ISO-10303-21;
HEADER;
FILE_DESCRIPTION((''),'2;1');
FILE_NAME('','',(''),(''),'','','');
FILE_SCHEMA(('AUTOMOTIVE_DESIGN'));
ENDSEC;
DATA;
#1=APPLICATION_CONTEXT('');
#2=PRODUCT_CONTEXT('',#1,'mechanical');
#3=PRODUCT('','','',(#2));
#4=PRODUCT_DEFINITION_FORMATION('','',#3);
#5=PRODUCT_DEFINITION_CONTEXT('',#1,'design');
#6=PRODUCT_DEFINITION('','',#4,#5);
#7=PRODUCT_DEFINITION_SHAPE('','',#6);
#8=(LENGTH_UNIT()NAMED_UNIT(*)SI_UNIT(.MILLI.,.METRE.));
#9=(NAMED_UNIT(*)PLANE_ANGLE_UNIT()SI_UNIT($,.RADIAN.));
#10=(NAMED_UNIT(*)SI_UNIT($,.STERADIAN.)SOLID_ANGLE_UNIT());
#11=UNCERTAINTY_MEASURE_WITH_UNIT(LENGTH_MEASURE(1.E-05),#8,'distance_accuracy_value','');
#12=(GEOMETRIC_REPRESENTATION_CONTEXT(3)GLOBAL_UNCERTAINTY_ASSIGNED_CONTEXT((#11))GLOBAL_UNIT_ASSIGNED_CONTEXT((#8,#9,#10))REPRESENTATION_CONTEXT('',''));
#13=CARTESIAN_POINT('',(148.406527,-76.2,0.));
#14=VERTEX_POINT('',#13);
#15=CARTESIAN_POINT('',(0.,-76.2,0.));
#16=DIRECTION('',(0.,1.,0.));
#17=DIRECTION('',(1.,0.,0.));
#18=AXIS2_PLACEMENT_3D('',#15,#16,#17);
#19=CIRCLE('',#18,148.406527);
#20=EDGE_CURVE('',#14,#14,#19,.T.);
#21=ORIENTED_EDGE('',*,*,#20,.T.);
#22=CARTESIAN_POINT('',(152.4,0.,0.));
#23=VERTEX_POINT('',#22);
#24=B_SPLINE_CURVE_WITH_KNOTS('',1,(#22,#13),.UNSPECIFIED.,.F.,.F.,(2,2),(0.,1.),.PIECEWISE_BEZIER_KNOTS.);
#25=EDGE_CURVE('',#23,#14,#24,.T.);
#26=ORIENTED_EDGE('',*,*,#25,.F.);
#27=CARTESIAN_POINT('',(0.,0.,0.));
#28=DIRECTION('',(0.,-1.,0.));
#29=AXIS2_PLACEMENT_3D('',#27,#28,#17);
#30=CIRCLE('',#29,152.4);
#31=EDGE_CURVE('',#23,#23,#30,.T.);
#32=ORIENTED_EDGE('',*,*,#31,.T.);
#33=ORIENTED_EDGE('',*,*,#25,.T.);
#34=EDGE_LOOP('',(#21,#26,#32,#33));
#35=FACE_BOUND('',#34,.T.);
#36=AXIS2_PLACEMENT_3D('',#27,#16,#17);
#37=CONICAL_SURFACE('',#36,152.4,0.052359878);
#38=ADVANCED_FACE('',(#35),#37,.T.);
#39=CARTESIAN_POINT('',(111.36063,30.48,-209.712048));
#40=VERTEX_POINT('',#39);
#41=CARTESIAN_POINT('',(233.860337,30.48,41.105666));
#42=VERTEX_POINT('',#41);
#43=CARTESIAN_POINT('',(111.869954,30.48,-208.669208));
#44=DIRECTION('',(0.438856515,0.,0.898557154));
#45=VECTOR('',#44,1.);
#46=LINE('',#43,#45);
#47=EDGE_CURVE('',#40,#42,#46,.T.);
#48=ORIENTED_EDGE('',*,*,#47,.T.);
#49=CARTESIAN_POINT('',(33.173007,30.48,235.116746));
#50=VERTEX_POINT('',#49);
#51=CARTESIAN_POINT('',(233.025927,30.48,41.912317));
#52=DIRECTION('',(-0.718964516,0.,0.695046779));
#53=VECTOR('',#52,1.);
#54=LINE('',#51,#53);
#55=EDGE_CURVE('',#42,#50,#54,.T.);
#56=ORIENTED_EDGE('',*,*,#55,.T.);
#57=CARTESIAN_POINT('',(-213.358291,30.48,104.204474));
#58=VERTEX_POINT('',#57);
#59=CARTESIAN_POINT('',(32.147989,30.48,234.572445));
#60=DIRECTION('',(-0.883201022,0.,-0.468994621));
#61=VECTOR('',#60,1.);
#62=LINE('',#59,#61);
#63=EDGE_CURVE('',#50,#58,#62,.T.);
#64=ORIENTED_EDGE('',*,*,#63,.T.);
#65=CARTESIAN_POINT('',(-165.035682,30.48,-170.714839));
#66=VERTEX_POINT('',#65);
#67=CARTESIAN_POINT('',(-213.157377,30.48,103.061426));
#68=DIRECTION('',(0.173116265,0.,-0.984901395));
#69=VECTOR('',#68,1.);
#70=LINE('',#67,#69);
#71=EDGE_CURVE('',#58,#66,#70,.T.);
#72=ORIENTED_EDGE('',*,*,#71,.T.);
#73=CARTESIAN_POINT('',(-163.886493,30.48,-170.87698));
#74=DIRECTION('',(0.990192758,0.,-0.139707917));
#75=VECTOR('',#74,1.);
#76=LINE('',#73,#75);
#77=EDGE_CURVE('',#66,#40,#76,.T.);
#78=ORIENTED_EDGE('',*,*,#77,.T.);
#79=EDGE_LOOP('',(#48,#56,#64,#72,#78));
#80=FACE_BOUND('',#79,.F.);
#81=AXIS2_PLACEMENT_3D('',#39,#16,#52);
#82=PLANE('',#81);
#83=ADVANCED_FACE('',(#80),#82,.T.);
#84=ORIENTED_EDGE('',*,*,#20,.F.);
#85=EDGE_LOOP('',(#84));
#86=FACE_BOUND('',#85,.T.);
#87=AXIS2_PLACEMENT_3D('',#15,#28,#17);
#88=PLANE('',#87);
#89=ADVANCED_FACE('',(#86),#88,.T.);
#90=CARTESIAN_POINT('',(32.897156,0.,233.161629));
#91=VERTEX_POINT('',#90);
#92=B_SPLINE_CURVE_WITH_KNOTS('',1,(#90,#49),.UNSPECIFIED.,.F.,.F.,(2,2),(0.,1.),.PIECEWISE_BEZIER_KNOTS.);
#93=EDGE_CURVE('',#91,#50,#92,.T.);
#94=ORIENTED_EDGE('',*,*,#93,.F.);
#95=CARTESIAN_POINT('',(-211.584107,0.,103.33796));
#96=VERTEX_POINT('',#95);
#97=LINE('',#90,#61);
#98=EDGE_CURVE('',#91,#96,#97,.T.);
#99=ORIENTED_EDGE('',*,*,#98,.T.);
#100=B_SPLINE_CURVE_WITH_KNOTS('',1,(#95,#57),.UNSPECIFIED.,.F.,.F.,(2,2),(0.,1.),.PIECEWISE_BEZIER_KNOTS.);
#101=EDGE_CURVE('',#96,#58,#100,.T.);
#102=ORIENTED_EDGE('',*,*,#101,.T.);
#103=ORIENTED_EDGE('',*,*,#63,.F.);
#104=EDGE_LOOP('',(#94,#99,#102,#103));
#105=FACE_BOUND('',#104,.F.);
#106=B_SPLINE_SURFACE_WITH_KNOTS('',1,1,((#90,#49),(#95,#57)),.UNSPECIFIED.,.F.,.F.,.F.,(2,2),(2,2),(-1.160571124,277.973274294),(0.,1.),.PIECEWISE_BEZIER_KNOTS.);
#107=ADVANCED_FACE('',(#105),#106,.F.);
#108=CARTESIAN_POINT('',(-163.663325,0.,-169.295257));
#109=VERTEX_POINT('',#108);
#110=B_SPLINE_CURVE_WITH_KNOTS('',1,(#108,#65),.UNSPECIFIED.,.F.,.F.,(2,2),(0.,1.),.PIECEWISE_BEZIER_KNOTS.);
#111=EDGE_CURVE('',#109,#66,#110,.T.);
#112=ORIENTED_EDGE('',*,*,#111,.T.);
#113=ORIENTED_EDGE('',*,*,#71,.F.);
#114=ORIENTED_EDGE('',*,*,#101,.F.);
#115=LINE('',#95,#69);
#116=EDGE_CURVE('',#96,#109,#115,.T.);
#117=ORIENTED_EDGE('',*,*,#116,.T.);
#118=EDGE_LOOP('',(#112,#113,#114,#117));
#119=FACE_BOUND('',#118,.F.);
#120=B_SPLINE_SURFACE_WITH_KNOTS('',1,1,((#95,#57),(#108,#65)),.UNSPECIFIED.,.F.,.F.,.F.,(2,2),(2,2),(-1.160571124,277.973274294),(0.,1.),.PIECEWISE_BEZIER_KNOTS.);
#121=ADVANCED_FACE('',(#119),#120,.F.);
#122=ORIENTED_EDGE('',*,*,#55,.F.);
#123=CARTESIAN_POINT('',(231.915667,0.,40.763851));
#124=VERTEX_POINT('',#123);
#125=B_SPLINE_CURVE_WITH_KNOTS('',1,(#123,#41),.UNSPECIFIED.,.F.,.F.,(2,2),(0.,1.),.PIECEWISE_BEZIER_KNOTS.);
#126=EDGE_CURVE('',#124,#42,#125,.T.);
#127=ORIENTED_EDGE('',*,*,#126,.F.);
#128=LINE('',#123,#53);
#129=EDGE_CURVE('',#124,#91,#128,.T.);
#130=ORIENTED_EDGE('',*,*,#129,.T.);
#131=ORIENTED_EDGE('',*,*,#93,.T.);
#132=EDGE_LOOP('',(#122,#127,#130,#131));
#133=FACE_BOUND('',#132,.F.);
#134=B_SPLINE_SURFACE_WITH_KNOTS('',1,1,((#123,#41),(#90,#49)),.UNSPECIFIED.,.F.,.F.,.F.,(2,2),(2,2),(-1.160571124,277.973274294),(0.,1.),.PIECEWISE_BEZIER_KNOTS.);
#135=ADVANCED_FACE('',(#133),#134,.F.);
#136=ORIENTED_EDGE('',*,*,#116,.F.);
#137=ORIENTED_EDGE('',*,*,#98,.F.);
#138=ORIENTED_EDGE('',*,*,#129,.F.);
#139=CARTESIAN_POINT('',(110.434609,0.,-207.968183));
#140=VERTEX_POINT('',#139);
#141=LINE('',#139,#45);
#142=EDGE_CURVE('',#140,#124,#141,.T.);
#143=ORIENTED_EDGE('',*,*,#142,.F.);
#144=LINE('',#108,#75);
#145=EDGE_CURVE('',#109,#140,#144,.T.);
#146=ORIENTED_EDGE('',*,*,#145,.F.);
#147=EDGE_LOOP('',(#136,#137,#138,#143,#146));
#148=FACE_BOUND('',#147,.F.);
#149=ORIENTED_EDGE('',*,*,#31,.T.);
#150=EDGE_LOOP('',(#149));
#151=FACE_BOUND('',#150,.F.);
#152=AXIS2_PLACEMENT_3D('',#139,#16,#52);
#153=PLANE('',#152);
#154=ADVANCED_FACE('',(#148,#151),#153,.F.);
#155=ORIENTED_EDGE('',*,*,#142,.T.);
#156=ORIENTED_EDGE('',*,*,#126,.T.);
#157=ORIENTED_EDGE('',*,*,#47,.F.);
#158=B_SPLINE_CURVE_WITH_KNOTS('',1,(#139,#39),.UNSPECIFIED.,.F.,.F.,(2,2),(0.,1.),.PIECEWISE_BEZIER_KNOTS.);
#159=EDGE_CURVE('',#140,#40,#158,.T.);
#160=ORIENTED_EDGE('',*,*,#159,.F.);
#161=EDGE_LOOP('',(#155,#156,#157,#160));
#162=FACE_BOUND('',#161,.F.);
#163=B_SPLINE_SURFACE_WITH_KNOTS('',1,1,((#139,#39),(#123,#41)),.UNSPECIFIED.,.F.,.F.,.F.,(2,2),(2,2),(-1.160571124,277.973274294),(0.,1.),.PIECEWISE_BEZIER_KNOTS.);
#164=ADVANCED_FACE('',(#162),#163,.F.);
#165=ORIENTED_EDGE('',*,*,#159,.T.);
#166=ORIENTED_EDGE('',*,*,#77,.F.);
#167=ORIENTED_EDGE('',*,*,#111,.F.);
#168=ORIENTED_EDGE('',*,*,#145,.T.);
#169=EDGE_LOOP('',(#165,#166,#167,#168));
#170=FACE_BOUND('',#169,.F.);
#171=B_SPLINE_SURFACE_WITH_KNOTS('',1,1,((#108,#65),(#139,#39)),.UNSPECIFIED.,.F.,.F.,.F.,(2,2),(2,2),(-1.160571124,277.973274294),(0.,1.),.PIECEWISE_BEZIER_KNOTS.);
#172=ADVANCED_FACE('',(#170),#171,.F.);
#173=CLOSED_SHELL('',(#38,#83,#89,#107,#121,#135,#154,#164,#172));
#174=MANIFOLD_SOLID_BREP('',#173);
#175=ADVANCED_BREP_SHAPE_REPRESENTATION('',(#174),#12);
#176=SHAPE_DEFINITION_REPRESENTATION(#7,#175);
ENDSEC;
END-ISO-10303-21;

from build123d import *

# Parameters (mm, degrees)
F1_DEPTH = 30.48
F1_TAPER = -3
F2_R     = 152.4
F3_DEPTH = 76.2
F3_TAPER = 3


with BuildPart() as f1:
    # F0 (on Front) → F1 (new body)
    with BuildSketch(Plane.XZ):
        Polygon((110.4346088431, -207.968183453), (231.9156669547, 40.7638513885), (32.8971558585, 233.1616291234), (-211.584106501, 103.3379602821), (-163.6633251554, -169.295257341), align=None)
    extrude(amount=-F1_DEPTH, taper=F1_TAPER)

    # F2 (on face) → F3 (join)
    with BuildSketch(Plane.XZ):
        Circle(F2_R)
    extrude(amount=F3_DEPTH, taper=F3_TAPER)


solid = f1.part
